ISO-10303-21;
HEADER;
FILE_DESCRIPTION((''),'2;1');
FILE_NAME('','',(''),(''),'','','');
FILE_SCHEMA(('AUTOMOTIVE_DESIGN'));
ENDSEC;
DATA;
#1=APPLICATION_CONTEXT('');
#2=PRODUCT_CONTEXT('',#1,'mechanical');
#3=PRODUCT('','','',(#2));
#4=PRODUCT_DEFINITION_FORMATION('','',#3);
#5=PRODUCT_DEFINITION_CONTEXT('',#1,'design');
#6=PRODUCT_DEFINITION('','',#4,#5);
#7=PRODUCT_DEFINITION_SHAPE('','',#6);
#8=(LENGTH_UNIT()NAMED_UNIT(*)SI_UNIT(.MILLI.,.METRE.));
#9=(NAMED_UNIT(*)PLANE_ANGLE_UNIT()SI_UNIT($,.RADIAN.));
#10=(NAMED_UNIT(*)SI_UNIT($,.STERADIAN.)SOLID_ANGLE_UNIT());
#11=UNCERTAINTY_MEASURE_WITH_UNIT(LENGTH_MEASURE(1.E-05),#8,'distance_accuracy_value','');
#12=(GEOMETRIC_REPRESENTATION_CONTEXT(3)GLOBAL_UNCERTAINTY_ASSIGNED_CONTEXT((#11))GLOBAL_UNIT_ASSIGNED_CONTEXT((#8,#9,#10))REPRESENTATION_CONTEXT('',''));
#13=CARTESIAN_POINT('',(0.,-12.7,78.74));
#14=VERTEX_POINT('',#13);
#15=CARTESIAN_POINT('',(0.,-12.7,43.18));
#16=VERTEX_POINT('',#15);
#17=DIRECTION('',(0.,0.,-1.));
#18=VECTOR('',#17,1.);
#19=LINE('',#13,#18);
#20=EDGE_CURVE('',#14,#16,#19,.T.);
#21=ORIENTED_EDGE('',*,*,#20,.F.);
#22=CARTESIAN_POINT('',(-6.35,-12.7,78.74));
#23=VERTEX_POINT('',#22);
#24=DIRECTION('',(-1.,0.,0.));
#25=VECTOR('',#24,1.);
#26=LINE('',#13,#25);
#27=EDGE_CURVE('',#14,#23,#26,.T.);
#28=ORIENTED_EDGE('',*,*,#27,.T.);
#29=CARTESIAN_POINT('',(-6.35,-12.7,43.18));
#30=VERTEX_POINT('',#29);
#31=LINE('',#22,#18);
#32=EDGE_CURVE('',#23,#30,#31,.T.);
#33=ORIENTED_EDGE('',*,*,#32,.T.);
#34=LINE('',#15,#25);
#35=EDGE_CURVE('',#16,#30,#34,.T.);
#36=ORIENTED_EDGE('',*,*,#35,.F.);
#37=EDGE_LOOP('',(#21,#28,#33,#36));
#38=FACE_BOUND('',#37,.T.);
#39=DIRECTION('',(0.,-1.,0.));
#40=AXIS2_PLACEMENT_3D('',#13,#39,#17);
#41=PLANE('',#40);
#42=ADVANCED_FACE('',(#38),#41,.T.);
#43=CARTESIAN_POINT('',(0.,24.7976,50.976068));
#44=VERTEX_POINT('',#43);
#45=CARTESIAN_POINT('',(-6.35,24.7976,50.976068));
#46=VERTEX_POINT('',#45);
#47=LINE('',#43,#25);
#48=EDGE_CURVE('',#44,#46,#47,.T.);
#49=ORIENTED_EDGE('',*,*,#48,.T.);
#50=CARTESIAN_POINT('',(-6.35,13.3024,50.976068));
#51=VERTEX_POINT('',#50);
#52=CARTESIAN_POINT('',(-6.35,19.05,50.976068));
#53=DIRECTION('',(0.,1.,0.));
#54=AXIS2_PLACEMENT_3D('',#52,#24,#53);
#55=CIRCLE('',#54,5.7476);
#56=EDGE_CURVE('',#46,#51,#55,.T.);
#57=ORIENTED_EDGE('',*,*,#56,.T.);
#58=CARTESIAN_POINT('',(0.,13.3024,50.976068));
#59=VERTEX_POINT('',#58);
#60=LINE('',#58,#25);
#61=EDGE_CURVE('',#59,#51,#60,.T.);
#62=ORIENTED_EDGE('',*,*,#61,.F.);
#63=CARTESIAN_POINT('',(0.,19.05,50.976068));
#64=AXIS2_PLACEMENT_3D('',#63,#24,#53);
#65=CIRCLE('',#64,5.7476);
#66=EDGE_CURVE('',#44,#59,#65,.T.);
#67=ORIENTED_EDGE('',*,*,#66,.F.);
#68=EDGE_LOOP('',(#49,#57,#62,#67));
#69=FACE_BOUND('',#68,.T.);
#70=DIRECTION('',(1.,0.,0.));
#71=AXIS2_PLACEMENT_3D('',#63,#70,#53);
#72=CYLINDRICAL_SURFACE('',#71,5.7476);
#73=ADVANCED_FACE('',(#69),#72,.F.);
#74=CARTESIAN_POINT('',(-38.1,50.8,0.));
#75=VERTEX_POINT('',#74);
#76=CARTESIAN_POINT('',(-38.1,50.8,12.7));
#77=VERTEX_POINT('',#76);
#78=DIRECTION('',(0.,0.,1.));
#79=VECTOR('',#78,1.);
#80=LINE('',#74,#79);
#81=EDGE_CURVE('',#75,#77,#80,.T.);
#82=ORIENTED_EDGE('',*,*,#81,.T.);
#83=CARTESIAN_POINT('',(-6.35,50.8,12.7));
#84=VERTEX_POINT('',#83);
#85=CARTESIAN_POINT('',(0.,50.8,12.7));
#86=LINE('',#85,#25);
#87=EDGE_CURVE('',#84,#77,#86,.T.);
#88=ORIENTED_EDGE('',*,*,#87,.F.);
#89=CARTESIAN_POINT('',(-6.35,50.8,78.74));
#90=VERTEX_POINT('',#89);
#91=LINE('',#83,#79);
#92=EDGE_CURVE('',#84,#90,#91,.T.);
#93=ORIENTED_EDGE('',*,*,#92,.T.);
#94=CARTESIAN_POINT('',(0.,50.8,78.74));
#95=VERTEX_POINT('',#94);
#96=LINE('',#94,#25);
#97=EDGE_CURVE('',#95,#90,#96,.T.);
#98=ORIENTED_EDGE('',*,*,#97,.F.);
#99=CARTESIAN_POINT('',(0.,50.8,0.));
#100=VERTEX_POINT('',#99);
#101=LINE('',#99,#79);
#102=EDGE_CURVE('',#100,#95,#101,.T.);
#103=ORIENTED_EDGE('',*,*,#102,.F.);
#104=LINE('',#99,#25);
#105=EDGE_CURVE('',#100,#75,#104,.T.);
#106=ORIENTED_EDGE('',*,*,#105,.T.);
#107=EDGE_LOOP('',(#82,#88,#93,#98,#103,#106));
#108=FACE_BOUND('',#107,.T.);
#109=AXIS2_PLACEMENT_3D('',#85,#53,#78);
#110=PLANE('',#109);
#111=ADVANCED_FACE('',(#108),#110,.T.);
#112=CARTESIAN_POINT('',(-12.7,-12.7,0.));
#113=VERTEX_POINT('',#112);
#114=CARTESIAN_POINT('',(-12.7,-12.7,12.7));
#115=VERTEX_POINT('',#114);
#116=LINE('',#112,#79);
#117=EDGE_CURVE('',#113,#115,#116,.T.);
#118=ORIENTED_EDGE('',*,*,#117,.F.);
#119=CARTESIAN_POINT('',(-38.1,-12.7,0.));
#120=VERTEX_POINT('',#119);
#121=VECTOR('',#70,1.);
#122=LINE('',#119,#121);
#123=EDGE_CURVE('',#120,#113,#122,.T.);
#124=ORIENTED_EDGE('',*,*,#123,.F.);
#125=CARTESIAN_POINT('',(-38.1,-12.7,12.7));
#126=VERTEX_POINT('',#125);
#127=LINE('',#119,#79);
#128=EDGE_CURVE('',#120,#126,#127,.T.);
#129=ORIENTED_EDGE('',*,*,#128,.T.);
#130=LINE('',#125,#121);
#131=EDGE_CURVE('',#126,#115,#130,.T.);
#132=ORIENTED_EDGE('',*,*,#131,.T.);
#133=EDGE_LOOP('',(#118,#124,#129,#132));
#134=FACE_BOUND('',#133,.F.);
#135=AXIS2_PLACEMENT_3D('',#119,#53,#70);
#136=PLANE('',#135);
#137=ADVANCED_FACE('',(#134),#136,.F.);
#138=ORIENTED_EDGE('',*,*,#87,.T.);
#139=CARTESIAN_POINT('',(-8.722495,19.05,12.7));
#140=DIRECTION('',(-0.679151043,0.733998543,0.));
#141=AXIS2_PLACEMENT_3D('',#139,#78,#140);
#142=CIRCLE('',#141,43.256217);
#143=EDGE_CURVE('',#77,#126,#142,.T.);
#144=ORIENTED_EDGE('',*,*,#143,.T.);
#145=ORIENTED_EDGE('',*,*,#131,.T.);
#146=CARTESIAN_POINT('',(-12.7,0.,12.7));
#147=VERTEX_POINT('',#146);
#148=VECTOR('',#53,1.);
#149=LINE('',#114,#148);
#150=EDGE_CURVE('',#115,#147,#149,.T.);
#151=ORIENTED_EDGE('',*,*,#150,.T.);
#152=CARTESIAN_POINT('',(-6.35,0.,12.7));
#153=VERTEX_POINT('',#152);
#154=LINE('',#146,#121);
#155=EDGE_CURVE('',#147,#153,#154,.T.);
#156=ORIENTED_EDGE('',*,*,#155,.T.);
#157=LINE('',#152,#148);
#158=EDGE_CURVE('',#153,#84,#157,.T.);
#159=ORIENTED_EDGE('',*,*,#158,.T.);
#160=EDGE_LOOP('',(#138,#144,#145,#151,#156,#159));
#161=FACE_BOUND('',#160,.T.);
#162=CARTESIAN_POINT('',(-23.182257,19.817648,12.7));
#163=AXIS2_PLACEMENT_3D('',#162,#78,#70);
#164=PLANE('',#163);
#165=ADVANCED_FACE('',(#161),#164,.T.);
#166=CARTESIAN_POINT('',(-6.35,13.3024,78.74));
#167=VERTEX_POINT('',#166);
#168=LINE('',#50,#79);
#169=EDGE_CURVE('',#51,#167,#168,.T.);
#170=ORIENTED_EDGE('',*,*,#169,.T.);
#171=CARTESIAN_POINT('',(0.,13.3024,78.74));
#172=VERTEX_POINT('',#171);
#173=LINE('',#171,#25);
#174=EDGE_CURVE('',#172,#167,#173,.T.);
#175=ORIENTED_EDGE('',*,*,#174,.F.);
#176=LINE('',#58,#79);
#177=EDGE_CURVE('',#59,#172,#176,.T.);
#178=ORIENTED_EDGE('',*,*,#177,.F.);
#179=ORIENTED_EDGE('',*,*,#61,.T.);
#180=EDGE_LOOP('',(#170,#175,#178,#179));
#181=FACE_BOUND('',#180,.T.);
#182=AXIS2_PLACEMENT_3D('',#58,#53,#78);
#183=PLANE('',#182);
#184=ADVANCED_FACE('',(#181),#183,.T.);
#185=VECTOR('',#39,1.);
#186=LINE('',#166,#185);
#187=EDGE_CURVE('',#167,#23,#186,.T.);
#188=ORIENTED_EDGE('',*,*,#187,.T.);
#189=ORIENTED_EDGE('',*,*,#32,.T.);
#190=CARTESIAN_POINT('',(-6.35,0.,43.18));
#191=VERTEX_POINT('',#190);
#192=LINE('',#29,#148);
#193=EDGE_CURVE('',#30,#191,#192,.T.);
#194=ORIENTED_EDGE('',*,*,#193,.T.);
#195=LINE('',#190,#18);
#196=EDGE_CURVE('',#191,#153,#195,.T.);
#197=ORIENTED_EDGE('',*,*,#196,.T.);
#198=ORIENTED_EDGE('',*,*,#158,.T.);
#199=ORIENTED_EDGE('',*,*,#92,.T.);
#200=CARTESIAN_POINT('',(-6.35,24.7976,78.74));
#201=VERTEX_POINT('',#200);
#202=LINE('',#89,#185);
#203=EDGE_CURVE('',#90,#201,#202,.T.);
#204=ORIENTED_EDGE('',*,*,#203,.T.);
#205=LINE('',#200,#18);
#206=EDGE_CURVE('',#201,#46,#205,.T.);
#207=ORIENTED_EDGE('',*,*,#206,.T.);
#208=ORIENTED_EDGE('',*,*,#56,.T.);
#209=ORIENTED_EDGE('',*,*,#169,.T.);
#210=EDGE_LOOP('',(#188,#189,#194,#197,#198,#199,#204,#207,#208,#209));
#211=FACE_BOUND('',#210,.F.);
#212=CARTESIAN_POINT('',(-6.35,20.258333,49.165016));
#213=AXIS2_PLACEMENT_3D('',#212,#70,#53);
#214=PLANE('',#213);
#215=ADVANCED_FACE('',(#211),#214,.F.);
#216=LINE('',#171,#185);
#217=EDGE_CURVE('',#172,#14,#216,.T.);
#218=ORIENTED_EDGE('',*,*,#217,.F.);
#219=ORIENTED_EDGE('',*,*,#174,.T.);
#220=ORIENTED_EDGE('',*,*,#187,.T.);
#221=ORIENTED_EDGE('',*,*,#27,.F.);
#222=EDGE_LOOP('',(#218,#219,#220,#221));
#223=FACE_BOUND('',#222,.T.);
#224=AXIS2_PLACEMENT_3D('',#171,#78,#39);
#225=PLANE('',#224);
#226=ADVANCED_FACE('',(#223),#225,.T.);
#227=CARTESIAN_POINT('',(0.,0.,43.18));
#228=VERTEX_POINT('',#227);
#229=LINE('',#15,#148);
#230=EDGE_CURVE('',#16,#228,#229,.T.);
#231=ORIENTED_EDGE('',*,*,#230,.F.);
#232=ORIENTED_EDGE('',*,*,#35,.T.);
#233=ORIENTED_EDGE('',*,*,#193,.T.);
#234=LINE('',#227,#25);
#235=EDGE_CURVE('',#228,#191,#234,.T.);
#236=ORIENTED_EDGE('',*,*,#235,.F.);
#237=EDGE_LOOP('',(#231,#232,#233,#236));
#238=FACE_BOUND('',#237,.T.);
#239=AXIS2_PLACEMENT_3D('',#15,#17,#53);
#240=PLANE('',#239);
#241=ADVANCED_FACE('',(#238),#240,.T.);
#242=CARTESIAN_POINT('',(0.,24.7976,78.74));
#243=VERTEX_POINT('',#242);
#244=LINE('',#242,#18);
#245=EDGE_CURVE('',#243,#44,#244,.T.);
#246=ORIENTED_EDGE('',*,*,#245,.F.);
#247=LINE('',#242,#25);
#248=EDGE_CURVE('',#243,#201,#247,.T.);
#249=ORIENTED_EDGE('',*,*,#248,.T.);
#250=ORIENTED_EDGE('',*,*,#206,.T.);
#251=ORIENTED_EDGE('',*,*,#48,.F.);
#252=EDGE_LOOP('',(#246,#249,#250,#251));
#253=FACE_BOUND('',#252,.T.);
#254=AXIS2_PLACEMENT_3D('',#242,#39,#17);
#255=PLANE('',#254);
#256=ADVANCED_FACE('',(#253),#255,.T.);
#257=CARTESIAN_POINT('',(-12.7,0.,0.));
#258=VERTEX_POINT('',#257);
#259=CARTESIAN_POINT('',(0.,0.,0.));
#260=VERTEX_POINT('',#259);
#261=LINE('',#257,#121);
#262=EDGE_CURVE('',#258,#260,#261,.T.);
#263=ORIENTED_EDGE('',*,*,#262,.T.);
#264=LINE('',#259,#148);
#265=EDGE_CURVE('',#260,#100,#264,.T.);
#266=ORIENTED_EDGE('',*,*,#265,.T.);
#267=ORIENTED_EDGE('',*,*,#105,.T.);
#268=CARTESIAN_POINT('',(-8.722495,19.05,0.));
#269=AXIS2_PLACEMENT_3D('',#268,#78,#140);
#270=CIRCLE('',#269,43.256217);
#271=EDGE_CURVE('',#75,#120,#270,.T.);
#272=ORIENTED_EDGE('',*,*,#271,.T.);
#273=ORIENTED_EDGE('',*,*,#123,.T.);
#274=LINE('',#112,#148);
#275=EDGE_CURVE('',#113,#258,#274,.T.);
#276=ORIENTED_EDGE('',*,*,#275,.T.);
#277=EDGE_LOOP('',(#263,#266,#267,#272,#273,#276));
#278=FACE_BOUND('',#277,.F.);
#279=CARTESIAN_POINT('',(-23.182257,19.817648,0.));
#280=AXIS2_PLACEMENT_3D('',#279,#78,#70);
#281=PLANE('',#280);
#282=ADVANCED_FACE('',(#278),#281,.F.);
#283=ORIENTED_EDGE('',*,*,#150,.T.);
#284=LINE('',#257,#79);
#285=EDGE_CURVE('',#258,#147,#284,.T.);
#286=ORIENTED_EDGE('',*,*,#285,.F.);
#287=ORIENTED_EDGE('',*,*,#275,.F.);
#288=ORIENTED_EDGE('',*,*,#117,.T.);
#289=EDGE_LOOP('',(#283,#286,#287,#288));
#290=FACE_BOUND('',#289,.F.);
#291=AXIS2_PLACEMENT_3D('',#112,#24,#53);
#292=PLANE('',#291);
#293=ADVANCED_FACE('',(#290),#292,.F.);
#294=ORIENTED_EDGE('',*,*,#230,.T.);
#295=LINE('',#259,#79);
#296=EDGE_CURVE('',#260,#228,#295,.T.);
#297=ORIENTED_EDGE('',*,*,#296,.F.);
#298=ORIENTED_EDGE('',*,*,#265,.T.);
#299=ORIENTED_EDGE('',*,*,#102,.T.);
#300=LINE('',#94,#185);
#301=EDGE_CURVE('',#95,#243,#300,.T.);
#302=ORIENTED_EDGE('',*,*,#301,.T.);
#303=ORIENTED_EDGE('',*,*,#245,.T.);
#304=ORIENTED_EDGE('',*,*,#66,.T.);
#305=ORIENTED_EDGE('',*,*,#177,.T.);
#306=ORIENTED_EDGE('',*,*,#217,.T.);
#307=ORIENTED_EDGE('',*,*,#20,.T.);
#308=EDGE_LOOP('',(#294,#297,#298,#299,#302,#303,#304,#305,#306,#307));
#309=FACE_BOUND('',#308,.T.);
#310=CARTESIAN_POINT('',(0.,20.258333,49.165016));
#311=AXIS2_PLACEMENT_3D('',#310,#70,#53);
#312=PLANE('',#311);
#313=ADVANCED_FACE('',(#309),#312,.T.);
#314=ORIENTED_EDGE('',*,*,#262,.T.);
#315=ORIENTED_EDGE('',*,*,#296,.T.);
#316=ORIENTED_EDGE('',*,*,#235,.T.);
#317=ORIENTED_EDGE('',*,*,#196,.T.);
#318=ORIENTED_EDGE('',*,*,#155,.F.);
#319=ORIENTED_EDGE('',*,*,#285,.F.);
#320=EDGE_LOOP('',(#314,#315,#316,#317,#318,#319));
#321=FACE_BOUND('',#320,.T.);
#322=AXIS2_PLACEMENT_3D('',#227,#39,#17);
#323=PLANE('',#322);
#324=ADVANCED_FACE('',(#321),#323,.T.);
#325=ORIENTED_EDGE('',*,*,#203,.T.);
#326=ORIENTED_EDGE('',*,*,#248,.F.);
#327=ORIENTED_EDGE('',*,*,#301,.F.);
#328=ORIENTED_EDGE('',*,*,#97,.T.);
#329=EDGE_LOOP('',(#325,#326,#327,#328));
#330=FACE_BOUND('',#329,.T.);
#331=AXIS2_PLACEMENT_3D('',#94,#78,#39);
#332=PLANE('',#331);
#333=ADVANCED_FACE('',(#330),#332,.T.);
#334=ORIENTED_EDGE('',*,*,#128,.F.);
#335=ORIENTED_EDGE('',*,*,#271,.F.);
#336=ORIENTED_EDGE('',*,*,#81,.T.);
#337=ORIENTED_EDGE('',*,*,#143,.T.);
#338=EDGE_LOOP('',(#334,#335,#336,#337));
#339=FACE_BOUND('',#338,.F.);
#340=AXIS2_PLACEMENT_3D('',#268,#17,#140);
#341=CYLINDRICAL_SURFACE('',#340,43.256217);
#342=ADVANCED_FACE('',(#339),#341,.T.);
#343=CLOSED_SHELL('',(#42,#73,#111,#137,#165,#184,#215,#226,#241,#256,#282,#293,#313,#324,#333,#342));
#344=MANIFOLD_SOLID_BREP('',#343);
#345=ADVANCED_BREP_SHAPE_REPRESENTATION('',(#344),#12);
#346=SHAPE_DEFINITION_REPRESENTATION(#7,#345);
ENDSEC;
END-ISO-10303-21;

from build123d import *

# Parameters (mm, degrees)
F1_DEPTH = 12.7
F3_DEPTH = 6.35


with BuildPart() as f1:
    # F0 (on Top) → F1 (new body)
    with BuildSketch(Plane.XY):
        with BuildLine():
            Line((-12.7, 0), (0, 0))
            Line((0, 0), (0, 50.8))
            Line((0, 50.8), (-38.1, 50.8))
            ThreePointArc((-38.1, 50.8), (-51.978712, 19.05), (-38.1, -12.7))
            Line((-38.1, -12.7), (-12.7, -12.7))
            Line((-12.7, -12.7), (-12.7, 0))
        make_face()
    extrude(amount=F1_DEPTH)

    # F2 (on face) → F3 (join)
    with BuildSketch(Plane.YZ):
        with BuildLine():
            Line((0, 43.18), (0, 12.7))
            Line((0, 12.7), (50.8, 12.7))
            Line((50.8, 12.7), (50.8, 78.74))
            Line((50.8, 78.74), (24.7976, 78.74))
            Line((24.7976, 78.74), (24.7976, 50.976068))
            ThreePointArc((24.7976, 50.976068), (19.05, 45.228468), (13.3024, 50.976068))
            Line((13.3024, 50.976068), (13.3024, 78.74))
            Line((13.3024, 78.74), (-12.7, 78.74))
            Line((-12.7, 78.74), (-12.7, 43.18))
            Line((-12.7, 43.18), (0, 43.18))
        make_face()
    extrude(amount=-F3_DEPTH)


solid = f1.part
